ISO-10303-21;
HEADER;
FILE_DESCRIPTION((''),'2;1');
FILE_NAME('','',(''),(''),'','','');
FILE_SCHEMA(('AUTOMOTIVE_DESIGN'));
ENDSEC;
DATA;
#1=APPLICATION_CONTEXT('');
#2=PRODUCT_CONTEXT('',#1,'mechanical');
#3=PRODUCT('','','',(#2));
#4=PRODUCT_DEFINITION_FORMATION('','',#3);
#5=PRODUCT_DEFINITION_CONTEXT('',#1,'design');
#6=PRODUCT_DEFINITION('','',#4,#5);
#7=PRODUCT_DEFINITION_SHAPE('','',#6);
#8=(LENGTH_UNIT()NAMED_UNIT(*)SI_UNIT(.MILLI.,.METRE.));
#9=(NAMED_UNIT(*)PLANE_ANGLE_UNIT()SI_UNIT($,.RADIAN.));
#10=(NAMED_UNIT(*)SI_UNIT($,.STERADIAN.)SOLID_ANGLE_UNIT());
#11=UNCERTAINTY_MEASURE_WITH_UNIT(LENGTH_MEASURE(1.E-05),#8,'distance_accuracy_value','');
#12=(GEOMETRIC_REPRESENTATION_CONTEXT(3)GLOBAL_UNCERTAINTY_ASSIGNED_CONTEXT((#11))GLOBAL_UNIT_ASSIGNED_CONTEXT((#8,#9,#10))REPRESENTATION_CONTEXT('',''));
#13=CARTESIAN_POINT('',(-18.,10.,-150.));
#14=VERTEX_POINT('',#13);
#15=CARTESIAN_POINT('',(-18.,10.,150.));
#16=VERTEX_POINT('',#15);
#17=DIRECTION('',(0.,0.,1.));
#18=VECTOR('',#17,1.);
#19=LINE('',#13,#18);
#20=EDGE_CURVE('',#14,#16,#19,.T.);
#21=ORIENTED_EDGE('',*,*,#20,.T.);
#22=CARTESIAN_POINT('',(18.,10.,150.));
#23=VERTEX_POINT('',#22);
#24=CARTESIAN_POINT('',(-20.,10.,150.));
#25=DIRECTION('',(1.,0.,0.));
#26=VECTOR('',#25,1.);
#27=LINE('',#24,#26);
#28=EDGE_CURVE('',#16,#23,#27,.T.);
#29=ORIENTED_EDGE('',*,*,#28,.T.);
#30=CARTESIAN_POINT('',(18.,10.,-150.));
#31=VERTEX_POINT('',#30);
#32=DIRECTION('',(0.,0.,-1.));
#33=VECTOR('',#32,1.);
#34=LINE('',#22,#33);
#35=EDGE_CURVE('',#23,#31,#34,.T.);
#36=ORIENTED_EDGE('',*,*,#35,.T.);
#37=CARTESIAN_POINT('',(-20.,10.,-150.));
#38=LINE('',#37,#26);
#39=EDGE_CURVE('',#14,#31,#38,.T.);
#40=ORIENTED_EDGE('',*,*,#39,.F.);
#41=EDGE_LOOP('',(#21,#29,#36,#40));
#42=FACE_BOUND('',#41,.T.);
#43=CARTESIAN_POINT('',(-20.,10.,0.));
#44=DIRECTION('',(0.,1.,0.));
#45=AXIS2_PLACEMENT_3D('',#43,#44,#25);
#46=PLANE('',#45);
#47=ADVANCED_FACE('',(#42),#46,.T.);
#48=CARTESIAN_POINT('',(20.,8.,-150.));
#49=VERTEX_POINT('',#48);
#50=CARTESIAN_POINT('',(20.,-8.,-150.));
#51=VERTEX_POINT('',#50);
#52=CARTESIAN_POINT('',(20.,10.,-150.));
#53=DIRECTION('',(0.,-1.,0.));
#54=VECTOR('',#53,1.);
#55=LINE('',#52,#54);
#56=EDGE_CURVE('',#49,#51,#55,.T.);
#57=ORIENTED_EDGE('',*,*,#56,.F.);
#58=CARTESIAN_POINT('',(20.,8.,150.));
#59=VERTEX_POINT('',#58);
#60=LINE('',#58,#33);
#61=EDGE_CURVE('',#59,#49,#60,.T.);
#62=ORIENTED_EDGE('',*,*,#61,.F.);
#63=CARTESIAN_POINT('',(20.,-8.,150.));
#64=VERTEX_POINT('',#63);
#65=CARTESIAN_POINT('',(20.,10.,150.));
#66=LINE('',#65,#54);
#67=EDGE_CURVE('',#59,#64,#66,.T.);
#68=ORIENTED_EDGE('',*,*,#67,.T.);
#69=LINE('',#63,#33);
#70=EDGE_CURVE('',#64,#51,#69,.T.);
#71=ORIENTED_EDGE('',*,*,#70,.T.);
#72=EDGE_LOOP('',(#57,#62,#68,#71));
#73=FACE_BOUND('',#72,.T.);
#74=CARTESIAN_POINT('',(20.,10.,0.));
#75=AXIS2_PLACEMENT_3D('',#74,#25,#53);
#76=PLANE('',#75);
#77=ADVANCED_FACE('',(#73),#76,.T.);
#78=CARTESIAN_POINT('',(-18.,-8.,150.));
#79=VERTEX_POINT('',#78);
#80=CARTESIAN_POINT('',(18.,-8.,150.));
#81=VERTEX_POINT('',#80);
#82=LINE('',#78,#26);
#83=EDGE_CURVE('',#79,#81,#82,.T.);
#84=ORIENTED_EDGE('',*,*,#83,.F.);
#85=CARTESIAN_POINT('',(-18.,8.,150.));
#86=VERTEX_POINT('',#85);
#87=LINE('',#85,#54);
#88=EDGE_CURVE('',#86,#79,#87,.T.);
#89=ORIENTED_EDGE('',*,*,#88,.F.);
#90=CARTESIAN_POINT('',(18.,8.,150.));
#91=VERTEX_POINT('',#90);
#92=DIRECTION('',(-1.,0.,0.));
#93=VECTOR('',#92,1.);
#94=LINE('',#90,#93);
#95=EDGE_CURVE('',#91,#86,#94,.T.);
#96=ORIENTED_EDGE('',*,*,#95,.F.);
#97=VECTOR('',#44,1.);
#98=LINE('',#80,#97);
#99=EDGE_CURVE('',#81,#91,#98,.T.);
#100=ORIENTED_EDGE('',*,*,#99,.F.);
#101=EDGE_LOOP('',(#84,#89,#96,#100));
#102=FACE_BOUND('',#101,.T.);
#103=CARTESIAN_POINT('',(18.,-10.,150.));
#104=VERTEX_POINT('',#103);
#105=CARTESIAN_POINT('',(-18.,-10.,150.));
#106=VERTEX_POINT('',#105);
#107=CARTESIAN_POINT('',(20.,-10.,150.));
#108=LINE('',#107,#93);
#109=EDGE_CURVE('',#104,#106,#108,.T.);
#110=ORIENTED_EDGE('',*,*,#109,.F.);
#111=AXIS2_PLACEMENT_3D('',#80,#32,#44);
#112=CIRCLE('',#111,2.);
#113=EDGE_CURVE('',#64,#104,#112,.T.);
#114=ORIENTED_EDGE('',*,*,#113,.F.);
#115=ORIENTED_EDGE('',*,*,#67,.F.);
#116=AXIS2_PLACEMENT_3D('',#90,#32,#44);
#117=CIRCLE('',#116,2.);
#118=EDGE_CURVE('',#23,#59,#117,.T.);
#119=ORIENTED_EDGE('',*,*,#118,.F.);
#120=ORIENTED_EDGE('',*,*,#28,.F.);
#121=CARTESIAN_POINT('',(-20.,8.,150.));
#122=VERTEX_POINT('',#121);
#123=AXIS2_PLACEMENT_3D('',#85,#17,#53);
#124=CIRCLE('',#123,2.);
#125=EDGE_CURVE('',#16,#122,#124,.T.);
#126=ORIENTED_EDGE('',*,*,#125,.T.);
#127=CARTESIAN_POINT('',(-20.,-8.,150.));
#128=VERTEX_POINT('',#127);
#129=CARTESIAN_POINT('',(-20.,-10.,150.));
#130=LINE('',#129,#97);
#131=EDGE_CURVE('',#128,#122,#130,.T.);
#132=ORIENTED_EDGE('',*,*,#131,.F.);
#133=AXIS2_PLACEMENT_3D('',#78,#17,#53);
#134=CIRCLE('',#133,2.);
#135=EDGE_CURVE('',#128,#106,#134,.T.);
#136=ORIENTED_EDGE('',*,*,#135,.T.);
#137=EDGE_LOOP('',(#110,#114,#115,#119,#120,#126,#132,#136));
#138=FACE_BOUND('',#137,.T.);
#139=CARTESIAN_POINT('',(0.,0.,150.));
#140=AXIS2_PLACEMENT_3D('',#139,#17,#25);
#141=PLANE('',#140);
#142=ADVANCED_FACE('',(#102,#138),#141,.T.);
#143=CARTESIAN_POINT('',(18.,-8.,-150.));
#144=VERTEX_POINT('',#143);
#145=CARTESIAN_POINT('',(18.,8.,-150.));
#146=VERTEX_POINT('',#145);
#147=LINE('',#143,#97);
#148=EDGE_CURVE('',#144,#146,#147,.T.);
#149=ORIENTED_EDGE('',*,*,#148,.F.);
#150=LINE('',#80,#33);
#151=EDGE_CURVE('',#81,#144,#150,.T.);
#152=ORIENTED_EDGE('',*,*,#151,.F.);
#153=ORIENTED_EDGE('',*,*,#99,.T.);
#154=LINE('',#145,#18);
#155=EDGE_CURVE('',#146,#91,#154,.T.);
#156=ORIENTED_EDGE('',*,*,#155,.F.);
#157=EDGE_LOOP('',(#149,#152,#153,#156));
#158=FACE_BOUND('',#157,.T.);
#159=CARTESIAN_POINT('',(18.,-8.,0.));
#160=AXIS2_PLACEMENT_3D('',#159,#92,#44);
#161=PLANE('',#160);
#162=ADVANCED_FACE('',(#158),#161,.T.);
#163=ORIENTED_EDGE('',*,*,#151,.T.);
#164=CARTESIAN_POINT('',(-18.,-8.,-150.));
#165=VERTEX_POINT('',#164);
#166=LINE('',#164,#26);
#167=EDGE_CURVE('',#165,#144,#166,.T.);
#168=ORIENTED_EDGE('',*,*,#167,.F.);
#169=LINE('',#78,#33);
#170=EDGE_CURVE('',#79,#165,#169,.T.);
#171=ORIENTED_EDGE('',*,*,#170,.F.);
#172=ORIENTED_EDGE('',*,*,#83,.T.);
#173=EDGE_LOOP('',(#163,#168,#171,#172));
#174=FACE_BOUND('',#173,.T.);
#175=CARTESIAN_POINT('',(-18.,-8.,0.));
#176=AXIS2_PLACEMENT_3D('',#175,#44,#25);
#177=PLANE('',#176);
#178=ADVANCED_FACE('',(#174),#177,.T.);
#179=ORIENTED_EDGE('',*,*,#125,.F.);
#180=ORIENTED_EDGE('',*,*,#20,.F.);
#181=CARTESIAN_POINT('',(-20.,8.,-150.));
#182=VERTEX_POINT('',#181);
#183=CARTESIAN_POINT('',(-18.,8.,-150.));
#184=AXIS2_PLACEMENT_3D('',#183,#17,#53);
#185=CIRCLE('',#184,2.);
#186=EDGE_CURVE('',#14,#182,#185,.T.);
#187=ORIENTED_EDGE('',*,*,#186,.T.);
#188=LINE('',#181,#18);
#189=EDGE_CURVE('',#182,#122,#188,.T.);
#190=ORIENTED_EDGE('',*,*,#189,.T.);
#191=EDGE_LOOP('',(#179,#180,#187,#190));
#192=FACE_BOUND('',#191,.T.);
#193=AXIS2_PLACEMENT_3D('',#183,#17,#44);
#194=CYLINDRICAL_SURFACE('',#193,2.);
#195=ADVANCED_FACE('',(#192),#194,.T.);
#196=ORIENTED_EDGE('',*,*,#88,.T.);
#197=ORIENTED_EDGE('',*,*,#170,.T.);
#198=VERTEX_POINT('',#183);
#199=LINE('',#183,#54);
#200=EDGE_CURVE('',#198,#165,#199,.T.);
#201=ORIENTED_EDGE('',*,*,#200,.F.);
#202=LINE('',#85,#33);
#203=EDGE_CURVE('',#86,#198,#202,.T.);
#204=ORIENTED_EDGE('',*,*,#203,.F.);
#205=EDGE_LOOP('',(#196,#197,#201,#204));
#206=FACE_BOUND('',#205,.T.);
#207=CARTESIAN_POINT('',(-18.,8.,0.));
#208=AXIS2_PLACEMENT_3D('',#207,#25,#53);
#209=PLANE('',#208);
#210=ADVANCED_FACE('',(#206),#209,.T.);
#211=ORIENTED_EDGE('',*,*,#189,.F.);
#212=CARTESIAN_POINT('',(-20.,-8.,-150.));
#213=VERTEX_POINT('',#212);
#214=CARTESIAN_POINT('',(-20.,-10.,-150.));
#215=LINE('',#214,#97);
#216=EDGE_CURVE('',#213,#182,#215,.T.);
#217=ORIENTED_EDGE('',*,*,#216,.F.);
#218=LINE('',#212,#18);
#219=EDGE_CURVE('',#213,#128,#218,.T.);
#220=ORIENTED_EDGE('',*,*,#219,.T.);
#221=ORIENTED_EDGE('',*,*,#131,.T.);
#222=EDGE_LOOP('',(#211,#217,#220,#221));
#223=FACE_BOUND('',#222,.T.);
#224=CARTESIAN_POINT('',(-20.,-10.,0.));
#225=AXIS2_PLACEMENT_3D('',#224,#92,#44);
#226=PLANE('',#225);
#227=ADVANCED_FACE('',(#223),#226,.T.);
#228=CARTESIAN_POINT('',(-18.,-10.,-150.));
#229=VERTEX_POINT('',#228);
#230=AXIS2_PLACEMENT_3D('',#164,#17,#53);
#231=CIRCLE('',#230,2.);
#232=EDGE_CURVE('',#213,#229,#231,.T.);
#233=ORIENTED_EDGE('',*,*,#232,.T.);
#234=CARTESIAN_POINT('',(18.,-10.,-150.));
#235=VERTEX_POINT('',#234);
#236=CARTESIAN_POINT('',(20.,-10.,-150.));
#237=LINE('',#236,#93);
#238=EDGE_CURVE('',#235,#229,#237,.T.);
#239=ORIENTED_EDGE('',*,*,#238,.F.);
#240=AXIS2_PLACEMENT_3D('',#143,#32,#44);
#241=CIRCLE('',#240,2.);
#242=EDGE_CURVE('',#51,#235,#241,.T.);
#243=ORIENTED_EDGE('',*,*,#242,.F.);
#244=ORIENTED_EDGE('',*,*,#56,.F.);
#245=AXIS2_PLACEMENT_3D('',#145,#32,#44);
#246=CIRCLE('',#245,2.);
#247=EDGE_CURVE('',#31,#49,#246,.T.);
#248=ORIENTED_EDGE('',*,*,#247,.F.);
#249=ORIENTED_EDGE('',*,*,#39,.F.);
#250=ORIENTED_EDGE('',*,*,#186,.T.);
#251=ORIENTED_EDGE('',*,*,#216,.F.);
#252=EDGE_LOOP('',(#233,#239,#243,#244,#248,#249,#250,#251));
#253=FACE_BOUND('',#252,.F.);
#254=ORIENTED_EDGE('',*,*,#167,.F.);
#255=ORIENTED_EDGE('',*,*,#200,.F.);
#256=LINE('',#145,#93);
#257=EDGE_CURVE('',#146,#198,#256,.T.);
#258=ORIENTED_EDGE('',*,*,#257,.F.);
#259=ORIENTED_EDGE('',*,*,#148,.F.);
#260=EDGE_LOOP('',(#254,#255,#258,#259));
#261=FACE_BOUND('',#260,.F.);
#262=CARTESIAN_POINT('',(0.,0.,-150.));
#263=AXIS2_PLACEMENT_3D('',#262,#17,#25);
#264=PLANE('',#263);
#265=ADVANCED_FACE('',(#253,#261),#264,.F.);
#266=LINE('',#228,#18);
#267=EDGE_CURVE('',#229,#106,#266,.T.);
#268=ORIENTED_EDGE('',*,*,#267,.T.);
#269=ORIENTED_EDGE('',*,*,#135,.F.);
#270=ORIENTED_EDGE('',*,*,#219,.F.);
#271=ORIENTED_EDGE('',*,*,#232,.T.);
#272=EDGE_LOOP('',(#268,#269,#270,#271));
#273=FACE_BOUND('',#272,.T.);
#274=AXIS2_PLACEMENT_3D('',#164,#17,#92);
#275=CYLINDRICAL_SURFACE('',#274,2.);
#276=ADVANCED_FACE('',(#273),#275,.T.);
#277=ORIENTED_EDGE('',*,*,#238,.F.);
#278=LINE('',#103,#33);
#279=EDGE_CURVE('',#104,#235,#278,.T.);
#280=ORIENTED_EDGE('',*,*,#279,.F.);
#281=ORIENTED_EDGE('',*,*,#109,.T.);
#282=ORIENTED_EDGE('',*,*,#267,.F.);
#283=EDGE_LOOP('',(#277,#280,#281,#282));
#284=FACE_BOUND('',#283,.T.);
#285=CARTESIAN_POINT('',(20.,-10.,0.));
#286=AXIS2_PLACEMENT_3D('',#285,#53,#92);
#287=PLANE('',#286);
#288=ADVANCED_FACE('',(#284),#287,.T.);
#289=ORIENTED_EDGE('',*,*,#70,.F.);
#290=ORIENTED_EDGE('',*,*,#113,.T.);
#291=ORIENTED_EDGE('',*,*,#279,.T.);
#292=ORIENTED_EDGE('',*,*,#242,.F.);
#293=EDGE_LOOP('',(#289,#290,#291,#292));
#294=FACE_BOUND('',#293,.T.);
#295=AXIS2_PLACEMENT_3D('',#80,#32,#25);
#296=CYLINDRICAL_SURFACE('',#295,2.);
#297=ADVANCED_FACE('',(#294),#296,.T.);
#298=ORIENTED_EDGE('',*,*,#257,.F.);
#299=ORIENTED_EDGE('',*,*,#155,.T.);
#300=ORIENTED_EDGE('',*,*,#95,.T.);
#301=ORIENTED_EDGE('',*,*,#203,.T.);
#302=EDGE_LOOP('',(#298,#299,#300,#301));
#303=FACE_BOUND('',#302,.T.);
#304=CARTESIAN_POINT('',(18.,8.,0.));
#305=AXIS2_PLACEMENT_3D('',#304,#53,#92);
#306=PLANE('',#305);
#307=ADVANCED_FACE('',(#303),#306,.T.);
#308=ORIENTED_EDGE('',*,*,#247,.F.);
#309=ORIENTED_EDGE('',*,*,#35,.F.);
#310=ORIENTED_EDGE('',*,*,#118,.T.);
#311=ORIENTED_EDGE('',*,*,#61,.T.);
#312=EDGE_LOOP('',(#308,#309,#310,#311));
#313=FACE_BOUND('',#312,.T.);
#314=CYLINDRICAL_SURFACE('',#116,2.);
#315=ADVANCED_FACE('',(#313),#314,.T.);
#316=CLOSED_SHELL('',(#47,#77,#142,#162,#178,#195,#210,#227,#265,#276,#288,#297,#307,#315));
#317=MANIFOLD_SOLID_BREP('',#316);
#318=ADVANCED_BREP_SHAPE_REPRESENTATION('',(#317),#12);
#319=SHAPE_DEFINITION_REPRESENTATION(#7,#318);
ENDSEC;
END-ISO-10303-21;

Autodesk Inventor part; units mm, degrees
ref_plane "YZ Plane" through (0, 0, 0) normal (1, 0, 0) x (0, 1, 0)
ref_plane "XZ Plane" through (0, 0, 0) normal (0, 1, 0) x (-1, 0, 0)
ref_plane "XY Plane" through (0, 0, 0) normal (0, 0, 1) x (1, 0, 0)
sketch "Sketch1" plane through (0, 0, 0) normal (0, 0, 1) x (1, 0, 0)
  line L0 (-20, 10) -> (20, 10)
  line L1 (20, 10) -> (20, -10)
  line L2 (20, -10) -> (-20, -10)
  line L3 (-20, -10) -> (-20, 10)
  line L4 (-20, 10) -> (20, -10) construction
  line L5 (20, 10) -> (-20, -10) construction
  line L6 (18, 8) -> (-18, 8)
  line L7 (-18, 8) -> (-18, -8)
  line L8 (-18, -8) -> (18, -8)
  line L9 (18, -8) -> (18, 8)
  point P0 (0, 0)
  dimension "d0" = 40
  dimension "d1" = 20
  dimension "d2" = 2
extrude "Extrusion1" add sketch "Sketch1" along normal mid plane 300
fillet "Fillet1" radius 2 4 edges at (-20, 10, 0) (-20, -10, 0) (20, -10, 0) (20, 10, 0)
properties part number "Leg tube 1"
